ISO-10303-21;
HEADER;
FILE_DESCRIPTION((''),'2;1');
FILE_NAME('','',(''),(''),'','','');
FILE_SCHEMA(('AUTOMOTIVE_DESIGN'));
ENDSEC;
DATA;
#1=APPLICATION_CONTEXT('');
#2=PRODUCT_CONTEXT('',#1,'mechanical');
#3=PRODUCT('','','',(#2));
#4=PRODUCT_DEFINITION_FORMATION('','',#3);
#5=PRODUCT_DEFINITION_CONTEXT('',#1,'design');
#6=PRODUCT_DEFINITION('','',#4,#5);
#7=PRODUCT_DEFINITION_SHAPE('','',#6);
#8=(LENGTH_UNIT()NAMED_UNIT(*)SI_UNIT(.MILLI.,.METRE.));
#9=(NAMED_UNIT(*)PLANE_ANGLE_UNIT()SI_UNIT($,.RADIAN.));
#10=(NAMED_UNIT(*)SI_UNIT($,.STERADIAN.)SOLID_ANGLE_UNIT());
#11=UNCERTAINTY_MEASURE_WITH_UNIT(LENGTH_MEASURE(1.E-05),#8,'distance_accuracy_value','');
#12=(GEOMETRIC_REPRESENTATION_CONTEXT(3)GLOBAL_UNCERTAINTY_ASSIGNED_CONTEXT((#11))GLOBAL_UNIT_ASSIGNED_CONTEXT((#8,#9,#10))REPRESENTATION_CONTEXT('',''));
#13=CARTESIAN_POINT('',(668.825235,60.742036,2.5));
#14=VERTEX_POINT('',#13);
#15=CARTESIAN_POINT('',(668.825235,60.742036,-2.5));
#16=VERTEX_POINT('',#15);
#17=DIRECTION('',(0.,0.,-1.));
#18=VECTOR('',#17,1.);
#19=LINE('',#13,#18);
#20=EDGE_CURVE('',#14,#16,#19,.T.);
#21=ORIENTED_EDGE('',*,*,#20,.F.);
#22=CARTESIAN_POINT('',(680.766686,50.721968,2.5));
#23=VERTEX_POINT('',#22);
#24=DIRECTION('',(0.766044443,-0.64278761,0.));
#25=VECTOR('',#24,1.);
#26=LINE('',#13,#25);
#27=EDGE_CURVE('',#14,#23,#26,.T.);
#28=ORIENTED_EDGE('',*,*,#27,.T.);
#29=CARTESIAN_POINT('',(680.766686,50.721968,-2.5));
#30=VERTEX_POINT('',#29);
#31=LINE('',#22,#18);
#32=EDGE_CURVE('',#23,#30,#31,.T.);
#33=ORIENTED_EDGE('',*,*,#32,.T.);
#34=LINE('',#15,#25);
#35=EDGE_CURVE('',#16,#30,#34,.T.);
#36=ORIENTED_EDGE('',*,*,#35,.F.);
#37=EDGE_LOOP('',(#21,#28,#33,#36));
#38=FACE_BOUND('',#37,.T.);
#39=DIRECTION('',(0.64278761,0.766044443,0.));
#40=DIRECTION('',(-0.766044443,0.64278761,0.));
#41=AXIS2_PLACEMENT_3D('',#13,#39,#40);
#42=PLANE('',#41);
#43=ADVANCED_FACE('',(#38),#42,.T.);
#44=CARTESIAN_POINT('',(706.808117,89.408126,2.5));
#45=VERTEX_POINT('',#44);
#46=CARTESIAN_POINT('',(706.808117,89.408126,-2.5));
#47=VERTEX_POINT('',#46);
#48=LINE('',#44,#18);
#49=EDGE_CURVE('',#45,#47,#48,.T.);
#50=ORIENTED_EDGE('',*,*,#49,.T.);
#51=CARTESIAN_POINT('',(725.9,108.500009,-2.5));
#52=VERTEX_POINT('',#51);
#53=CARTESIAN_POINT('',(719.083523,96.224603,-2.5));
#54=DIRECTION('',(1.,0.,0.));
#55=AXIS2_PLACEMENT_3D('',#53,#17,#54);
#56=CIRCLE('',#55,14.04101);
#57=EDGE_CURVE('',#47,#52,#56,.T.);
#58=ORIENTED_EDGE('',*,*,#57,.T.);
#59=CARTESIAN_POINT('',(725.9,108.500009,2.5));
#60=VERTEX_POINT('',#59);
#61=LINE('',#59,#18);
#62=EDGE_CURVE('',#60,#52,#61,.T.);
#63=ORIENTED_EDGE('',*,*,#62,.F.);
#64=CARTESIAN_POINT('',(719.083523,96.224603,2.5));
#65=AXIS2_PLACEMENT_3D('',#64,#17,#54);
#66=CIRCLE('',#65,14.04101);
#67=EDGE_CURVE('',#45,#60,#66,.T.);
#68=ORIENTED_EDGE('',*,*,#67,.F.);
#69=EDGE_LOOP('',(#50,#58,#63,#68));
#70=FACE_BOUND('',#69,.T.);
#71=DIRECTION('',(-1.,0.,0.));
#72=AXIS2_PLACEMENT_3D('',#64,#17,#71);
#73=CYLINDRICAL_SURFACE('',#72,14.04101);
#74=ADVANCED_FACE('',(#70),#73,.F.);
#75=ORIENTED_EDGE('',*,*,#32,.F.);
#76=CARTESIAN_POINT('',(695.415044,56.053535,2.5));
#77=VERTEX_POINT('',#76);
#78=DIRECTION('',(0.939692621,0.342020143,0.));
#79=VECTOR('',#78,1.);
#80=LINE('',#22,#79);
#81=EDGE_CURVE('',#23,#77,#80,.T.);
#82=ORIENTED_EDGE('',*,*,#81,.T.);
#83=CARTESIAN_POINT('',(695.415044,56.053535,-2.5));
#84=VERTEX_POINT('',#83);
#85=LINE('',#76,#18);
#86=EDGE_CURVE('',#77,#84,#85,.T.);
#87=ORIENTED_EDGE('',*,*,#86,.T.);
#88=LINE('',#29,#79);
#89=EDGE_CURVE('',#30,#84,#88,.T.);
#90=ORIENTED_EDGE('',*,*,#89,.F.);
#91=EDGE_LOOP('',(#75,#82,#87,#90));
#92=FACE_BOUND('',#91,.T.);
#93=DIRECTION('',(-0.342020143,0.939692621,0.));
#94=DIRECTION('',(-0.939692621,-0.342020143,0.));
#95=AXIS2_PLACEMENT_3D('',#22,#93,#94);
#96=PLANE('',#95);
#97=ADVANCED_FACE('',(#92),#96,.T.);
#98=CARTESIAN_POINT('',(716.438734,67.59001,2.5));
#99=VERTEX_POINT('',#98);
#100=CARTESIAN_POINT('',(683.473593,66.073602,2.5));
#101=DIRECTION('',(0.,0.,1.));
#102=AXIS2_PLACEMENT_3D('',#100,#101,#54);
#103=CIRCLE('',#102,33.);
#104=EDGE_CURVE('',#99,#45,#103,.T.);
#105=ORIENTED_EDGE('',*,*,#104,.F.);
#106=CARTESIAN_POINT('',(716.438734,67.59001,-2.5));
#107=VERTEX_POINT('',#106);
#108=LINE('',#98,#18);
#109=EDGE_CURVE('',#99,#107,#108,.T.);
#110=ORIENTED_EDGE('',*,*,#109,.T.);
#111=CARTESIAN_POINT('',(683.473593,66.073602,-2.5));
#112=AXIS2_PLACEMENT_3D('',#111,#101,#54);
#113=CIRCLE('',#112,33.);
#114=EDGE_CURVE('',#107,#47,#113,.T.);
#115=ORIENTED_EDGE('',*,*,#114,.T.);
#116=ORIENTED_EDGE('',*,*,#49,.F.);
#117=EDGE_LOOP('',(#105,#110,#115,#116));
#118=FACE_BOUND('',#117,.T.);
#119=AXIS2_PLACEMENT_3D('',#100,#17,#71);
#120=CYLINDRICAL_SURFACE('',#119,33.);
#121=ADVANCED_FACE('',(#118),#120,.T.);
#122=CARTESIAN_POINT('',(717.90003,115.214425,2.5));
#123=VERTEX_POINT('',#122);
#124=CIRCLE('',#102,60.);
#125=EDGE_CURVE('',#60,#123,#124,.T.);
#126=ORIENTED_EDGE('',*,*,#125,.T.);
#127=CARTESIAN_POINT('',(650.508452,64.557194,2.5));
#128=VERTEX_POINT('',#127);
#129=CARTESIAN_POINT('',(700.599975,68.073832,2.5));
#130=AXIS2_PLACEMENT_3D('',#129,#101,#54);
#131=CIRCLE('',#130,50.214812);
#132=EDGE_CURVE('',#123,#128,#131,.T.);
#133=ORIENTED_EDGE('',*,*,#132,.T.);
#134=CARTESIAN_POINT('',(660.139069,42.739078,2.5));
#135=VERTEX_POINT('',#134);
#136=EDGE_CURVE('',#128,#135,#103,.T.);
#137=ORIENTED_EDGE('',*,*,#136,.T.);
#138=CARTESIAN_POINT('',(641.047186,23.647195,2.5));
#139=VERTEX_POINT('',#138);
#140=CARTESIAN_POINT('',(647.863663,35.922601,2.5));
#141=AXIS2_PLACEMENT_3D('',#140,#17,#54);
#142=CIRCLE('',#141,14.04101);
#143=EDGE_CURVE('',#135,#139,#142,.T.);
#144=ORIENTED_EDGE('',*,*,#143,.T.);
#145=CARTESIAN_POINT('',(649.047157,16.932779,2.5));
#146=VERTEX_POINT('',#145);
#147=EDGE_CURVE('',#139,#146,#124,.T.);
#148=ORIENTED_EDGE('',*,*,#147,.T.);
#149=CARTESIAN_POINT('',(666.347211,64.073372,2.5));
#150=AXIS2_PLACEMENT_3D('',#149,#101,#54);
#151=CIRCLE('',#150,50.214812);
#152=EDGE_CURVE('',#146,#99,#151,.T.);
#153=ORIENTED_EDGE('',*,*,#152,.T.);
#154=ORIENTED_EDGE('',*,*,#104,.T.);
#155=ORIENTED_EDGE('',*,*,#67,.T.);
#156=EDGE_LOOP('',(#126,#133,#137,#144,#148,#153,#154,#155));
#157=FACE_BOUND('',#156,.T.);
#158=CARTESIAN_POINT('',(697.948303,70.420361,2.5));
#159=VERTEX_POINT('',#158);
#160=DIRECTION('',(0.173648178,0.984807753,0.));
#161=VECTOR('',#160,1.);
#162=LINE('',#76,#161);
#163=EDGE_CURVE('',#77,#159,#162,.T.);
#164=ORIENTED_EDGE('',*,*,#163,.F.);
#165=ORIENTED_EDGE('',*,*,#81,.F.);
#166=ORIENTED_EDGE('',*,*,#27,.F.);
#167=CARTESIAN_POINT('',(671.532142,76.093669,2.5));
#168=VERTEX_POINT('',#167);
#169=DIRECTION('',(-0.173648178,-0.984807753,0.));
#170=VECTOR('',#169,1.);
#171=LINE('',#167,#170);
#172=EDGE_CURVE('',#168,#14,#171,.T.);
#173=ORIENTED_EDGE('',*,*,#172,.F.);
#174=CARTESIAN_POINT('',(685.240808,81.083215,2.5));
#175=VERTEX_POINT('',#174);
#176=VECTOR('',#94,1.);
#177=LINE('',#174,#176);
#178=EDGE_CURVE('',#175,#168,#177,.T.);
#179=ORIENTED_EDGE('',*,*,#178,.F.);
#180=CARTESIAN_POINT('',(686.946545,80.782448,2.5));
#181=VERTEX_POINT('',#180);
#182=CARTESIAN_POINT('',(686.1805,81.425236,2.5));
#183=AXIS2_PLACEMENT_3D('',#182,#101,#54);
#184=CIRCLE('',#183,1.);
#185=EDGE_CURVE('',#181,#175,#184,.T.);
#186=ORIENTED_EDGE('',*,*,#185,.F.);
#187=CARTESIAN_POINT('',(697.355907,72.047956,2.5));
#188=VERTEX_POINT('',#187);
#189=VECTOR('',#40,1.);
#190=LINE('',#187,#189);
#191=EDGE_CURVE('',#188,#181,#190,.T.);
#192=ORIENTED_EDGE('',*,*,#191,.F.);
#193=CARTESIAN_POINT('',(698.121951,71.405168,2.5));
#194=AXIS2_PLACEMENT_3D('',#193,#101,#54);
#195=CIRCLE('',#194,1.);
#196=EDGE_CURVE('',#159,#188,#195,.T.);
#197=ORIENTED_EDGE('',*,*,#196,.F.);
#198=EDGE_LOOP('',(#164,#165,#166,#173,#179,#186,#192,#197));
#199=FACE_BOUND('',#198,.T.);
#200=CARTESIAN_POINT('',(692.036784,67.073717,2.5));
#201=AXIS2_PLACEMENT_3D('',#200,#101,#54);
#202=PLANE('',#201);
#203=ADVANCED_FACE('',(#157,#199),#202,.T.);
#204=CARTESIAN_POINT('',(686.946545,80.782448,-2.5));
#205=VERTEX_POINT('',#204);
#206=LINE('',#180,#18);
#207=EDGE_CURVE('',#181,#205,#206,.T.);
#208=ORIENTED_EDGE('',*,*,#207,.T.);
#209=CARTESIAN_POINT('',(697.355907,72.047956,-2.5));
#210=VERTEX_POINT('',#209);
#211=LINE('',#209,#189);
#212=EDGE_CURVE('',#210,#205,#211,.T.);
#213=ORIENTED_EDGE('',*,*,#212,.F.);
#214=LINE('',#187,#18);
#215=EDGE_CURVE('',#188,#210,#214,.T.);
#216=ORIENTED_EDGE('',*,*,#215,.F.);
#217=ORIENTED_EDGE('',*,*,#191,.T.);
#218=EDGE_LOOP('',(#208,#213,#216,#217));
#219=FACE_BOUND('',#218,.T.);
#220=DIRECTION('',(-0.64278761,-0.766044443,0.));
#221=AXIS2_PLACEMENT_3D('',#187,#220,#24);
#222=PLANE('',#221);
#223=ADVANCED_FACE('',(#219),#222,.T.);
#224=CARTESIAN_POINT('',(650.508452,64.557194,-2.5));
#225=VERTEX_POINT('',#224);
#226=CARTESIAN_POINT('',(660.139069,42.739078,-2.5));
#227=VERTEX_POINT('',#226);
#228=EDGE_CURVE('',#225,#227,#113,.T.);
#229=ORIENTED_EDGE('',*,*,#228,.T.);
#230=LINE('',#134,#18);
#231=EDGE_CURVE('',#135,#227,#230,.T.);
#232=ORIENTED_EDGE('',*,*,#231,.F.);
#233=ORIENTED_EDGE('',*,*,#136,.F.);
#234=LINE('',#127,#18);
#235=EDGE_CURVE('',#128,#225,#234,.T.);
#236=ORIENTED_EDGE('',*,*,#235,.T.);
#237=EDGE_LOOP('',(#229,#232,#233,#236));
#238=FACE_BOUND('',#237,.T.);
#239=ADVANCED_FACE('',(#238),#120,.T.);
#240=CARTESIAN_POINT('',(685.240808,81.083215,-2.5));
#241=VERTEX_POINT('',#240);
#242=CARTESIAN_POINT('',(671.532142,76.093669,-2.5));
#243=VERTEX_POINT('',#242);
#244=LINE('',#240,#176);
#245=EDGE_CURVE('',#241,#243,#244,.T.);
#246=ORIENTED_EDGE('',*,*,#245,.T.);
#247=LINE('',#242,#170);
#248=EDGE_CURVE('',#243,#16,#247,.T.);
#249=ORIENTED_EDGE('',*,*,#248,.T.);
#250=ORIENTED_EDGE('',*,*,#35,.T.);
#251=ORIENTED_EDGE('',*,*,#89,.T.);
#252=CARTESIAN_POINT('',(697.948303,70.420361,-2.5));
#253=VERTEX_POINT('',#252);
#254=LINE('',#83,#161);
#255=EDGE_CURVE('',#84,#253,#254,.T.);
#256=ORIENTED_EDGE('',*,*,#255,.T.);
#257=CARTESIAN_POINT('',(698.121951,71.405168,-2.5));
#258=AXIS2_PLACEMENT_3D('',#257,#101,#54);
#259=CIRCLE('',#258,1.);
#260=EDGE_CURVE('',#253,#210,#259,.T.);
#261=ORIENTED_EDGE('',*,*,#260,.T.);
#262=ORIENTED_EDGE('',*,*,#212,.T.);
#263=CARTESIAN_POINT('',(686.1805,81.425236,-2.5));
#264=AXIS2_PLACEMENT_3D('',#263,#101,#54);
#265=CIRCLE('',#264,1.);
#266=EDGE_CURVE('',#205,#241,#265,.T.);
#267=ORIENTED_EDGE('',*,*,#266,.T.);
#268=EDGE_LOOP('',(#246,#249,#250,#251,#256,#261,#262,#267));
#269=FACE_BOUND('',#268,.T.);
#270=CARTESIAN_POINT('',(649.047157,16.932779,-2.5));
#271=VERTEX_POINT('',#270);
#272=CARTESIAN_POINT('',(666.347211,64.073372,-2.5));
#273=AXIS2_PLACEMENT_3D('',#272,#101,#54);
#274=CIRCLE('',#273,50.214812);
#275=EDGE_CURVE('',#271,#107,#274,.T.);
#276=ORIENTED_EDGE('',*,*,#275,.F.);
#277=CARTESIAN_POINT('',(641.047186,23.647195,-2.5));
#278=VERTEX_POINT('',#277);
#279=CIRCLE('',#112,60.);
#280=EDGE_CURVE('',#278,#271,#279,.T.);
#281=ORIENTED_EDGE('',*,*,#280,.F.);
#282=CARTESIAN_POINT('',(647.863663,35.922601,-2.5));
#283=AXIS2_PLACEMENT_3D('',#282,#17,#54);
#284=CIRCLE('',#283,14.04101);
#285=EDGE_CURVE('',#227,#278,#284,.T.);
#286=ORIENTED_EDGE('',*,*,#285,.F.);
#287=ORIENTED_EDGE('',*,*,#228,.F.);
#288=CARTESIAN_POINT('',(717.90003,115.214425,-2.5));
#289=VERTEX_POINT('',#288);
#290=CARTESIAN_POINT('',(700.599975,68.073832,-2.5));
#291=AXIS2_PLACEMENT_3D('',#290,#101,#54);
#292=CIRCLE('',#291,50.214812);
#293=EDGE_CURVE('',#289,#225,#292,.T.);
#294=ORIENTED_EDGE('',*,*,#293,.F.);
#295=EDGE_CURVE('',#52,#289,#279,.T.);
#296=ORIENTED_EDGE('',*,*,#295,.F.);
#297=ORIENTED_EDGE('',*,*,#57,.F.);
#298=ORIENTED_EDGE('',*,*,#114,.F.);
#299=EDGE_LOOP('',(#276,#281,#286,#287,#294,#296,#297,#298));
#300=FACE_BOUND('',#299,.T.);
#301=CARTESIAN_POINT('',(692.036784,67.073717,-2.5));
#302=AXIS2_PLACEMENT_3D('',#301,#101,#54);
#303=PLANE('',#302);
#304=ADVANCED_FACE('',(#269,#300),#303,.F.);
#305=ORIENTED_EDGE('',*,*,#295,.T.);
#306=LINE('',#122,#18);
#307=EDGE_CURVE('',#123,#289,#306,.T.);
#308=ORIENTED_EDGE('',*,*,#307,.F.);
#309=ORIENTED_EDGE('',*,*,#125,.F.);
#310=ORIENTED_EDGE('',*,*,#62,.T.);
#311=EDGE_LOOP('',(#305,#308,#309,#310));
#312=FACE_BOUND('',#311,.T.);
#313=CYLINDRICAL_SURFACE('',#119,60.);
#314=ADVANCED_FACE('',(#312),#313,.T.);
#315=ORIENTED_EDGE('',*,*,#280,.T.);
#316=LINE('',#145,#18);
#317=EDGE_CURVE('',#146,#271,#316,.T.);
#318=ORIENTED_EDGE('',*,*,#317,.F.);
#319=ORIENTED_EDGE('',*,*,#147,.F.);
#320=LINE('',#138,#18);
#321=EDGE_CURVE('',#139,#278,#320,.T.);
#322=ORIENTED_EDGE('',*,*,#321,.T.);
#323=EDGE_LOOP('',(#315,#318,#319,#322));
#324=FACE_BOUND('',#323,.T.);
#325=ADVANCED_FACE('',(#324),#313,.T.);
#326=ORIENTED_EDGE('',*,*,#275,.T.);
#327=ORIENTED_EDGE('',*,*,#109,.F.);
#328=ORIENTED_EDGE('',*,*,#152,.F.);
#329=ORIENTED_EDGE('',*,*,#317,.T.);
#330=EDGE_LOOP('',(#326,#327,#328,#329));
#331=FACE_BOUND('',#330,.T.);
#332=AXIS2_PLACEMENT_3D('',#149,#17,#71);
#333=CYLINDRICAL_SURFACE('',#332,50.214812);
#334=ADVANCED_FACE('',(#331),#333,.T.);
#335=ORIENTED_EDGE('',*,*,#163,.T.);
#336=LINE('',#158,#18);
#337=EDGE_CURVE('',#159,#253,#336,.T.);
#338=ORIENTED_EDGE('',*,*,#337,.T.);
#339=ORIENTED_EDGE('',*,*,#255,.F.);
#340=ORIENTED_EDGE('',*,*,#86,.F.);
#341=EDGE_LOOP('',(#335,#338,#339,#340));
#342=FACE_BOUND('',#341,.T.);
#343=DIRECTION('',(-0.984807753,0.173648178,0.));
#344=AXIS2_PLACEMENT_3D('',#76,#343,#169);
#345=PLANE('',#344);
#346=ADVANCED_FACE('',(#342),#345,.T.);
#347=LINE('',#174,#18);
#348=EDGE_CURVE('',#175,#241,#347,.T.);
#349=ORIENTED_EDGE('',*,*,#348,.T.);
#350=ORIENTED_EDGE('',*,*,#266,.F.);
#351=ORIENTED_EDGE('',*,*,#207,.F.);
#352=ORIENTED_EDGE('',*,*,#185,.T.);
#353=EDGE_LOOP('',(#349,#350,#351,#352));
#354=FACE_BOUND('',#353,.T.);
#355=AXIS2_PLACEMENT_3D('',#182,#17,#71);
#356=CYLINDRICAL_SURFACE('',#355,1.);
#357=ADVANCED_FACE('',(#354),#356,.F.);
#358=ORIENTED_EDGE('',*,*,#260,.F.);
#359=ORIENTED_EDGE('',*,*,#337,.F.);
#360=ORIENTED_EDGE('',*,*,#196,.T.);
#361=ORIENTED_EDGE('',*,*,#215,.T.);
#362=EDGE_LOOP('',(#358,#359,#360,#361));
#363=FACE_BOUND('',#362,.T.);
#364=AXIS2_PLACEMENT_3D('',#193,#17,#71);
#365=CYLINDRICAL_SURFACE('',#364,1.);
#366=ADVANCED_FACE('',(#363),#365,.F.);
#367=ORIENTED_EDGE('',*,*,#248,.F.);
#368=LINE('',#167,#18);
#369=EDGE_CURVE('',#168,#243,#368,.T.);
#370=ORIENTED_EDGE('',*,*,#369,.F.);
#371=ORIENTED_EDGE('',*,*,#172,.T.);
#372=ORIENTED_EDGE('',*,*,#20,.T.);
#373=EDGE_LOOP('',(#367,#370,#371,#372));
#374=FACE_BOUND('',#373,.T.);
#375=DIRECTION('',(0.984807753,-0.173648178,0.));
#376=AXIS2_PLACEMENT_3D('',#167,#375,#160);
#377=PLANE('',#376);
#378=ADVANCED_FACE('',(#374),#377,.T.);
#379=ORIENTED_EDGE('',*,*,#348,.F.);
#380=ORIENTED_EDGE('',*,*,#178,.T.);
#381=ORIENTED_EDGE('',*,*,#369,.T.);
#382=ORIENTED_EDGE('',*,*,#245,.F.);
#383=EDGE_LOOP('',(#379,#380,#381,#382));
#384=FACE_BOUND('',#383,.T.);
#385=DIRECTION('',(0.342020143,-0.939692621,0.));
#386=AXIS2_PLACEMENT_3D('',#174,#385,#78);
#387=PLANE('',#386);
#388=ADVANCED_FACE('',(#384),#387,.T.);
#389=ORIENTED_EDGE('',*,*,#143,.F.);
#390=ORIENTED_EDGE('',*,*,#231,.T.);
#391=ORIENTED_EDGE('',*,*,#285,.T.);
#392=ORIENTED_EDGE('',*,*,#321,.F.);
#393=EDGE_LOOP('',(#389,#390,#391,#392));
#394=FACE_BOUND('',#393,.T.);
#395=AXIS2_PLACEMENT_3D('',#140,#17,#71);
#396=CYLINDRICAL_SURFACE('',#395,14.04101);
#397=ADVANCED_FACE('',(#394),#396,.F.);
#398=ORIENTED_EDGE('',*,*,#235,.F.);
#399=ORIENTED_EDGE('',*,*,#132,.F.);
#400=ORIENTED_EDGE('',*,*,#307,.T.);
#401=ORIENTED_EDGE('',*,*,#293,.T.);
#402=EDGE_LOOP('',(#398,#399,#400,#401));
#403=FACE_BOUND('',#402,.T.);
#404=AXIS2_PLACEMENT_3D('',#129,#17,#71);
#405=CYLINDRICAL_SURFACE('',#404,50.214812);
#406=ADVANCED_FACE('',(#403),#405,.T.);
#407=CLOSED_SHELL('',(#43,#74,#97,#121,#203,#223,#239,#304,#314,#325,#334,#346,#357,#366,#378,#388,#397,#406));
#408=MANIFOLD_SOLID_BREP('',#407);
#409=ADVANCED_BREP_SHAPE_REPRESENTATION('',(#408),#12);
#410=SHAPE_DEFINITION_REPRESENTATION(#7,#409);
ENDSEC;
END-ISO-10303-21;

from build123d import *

# Parameters (mm, degrees)
BOSS_EXTRUDE1_DEPTH = 2.5


with BuildPart() as part:
    # Model → Boss-Extrude1 (new, symmetric)
    with BuildSketch(Plane.XY):
        with BuildLine():
            ThreePointArc((717.900029607, 115.214424851), (670.427821467, 108.213195948), (650.508452339, 64.557194238))
            ThreePointArc((650.508452339, 64.557194238), (653.283849766, 52.747710067), (660.139069353, 42.739078209))
            ThreePointArc((660.139069353, 42.739078209), (657.792156458, 25.994108012), (641.047186261, 23.647195117))
            ThreePointArc((641.047186261, 23.647195117), (644.900795358, 20.115585583), (649.047156658, 16.932779125))
            ThreePointArc((649.047156658, 16.932779125), (696.519364798, 23.934008028), (716.438733926, 67.590009739))
            ThreePointArc((716.438733926, 67.590009739), (713.663336498, 79.399493909), (706.808116912, 89.408125767))
            ThreePointArc((706.808116912, 89.408125767), (709.155029807, 106.153095964), (725.900000004, 108.500008859))
            ThreePointArc((725.900000004, 108.500008859), (722.046390907, 112.031618393), (717.900029607, 115.214424851))
        make_face()
        with BuildLine():
            Line((697.355906954, 72.047955987), (686.946544773, 80.782447954))
            ThreePointArc((686.946544773, 80.782447954), (686.354148507, 82.410043316), (685.240807709, 81.08321542))
            Line((685.240807709, 81.08321542), (671.532142065, 76.093669174))
            Line((671.532142065, 76.093669174), (668.825234868, 60.742035599))
            Line((668.825234868, 60.742035599), (680.766685935, 50.721968413))
            Line((680.766685935, 50.721968413), (695.415044199, 56.053534802))
            Line((695.415044199, 56.053534802), (697.948303219, 70.420360624))
            ThreePointArc((697.948303219, 70.420360624), (699.061644018, 71.747188521), (697.355906954, 72.047955987))
        make_face(mode=Mode.SUBTRACT)
    extrude(amount=BOSS_EXTRUDE1_DEPTH, both=True)


solid = part.part
